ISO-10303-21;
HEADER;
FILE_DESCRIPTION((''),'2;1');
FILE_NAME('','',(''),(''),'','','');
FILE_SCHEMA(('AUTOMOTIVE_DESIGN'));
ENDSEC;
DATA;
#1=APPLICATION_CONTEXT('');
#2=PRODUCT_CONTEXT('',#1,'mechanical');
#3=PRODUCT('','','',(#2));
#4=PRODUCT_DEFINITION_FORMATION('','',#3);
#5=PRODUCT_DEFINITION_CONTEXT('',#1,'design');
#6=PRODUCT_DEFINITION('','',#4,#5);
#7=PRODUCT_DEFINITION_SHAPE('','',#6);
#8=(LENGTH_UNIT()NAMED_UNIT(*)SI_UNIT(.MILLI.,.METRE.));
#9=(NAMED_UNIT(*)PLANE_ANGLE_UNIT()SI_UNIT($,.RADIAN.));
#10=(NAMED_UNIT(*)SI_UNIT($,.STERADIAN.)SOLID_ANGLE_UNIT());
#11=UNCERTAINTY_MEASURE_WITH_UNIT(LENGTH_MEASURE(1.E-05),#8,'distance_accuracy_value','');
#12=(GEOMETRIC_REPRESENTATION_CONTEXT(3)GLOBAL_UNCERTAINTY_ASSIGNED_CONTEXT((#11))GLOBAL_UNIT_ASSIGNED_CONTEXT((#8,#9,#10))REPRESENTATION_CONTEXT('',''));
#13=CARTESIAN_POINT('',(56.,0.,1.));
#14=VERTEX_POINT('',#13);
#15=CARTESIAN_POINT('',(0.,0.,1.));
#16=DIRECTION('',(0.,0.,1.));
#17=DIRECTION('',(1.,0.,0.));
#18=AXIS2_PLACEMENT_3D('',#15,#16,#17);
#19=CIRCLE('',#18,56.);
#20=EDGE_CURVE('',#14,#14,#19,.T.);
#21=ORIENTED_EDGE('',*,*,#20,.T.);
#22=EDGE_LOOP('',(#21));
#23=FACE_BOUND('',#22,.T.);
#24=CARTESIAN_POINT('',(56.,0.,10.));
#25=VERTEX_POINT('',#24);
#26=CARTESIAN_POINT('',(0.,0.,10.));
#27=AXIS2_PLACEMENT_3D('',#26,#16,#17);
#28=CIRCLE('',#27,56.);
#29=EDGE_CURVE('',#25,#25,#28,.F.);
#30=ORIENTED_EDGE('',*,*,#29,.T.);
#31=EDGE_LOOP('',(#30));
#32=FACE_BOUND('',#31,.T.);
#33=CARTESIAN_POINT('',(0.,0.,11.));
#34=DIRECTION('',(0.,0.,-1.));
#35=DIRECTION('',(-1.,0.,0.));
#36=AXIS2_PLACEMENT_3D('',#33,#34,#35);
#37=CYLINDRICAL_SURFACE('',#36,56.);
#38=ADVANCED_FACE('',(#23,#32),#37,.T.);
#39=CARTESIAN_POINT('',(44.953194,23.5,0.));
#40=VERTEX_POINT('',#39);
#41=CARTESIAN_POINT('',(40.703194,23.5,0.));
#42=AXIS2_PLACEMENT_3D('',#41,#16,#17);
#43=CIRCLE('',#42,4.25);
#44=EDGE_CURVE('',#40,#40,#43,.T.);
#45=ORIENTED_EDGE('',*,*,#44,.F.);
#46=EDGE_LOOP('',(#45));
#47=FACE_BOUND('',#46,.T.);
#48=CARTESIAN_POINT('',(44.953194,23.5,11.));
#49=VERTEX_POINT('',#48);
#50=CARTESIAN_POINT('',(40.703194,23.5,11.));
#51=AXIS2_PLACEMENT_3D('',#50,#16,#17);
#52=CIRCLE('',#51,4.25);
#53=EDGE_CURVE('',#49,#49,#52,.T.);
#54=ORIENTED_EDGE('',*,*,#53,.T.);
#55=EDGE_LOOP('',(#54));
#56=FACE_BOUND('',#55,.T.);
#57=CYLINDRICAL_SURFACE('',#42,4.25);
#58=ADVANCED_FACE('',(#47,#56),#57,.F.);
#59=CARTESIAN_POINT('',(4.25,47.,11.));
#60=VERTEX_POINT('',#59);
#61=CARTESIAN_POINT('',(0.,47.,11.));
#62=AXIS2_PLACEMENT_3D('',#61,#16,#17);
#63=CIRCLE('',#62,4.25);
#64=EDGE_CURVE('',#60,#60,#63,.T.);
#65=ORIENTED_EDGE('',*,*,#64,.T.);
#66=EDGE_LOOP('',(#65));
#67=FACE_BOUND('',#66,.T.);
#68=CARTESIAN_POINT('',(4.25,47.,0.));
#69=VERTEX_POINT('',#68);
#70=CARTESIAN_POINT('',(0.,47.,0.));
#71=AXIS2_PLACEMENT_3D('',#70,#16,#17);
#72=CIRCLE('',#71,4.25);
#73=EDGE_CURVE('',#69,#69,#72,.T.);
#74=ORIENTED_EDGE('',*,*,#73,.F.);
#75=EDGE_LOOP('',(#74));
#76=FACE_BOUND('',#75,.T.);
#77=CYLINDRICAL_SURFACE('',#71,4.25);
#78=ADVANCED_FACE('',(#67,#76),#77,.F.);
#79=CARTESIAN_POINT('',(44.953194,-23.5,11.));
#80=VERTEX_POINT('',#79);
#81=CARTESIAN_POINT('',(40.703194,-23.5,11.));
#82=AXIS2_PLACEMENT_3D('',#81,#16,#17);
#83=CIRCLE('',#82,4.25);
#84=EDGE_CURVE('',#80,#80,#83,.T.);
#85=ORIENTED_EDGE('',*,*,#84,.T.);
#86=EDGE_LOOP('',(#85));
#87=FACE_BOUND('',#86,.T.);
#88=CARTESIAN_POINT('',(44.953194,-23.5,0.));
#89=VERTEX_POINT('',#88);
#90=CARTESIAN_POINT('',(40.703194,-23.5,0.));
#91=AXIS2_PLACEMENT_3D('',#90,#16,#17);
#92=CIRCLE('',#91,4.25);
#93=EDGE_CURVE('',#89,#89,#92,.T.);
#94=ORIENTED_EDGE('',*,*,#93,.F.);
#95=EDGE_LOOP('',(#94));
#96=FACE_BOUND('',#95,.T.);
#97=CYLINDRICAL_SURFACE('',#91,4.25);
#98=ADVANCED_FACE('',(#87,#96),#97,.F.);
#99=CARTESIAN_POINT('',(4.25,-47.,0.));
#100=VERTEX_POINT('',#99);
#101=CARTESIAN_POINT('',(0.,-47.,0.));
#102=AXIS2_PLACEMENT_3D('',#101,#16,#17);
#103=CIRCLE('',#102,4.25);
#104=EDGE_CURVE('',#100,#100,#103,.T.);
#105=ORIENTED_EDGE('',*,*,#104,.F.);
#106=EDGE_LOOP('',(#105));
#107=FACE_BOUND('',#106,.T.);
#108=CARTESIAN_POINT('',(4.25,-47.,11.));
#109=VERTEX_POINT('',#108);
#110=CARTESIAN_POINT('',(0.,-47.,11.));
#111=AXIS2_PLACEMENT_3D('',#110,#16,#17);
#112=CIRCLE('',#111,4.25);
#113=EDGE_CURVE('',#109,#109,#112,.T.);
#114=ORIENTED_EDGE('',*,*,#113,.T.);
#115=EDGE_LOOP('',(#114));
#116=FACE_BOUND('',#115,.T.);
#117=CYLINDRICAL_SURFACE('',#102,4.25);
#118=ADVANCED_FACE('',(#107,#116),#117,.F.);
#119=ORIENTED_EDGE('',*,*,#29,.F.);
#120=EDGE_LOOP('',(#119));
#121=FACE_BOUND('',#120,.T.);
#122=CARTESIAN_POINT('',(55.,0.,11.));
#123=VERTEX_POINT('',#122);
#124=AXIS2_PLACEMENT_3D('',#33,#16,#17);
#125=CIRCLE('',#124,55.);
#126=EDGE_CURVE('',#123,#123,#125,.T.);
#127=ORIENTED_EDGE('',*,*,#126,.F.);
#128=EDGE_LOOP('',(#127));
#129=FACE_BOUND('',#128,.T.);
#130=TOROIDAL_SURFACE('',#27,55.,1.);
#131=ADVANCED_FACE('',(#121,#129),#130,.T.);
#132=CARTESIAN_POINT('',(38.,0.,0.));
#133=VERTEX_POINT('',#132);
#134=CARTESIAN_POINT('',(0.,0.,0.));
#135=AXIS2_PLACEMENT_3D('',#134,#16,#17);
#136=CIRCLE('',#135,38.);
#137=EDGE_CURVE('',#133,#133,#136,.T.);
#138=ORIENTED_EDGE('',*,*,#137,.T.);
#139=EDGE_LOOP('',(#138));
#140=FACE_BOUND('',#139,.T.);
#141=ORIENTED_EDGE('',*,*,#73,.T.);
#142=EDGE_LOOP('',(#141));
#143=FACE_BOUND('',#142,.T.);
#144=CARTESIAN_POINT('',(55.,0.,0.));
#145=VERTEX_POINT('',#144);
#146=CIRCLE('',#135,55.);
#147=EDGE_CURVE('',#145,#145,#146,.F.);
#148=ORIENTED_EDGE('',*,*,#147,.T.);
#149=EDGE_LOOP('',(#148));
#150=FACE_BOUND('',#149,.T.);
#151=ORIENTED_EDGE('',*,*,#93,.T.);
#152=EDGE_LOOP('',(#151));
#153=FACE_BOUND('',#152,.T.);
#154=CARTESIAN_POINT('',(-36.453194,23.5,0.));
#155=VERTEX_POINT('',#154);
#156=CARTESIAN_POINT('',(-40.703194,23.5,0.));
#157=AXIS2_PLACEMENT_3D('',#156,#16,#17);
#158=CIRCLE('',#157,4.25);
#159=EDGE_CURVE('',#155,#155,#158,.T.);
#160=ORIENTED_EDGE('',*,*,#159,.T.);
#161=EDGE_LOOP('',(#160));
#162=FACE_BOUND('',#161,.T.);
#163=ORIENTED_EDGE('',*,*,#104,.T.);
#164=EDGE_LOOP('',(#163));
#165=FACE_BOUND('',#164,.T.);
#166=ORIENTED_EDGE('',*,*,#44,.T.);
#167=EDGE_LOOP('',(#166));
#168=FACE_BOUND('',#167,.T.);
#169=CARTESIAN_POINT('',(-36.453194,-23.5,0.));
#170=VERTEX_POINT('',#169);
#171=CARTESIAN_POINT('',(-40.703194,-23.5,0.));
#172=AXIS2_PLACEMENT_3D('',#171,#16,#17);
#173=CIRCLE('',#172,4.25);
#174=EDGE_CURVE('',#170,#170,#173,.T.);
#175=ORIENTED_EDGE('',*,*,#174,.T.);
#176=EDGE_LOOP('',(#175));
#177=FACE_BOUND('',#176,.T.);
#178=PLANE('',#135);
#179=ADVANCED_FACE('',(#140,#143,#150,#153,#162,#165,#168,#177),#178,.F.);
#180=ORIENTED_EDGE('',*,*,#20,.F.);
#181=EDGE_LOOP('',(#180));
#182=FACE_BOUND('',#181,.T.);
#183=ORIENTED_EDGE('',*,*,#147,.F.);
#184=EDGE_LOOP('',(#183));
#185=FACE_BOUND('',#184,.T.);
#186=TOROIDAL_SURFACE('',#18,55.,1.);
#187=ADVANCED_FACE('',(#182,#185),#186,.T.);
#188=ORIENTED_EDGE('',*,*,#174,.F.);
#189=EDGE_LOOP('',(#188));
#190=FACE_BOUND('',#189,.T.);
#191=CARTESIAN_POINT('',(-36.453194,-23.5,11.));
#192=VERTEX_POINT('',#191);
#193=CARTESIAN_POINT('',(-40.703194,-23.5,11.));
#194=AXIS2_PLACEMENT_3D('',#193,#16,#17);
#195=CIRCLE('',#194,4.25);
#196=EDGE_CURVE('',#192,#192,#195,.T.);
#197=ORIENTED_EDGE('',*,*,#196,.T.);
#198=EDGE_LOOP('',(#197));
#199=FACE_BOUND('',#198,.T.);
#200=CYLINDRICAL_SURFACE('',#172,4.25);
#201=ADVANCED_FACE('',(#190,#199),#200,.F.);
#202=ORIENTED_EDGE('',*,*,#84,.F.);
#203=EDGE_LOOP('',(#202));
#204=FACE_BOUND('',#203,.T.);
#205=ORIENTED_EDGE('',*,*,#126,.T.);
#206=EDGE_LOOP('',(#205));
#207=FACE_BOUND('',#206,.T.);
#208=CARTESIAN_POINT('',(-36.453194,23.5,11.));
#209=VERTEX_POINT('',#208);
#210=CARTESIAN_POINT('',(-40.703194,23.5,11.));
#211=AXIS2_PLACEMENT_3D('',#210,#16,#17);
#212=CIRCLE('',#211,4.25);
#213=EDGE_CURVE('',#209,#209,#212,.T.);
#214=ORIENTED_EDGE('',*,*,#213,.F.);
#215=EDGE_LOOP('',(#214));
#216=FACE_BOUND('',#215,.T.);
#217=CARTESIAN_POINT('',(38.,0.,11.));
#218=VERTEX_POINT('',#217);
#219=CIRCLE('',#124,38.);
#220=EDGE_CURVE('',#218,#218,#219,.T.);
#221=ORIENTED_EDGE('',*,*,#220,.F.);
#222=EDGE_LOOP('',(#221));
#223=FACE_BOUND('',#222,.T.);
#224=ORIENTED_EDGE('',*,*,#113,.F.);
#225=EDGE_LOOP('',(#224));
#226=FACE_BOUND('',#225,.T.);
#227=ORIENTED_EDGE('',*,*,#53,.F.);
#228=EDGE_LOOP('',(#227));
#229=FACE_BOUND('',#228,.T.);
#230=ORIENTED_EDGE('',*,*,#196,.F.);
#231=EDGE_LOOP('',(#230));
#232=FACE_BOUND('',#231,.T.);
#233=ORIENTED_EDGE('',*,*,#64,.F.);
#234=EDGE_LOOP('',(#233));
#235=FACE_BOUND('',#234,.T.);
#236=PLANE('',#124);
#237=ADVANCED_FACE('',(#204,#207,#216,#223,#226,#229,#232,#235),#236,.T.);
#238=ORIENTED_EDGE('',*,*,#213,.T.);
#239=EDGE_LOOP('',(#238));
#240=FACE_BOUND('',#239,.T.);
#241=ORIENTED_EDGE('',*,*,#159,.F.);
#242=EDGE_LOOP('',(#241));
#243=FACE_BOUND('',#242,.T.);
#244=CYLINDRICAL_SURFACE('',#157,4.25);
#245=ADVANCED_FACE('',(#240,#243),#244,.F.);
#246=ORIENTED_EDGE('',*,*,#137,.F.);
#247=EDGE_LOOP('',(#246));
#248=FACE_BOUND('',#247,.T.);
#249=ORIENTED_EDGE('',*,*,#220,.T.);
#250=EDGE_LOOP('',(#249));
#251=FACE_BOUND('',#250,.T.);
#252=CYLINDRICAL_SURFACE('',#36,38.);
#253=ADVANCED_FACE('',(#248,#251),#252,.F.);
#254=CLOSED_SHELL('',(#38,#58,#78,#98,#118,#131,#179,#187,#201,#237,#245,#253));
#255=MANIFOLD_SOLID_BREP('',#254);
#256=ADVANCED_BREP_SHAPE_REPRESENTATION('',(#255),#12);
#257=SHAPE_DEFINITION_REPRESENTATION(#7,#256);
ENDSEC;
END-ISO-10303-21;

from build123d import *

# Parameters (mm, degrees)
ESQUISSE1_R             = 56
ESQUISSE1_R_2           = 38
BOSS_EXTRU_1_DEPTH      = 11
ESQUISSE2_R             = 4.25
ENL_V_MAT_EXTRU_2_DEPTH = 11
ESQUISSE2_5_R           = 4.25
ENL_V_MAT_EXTRU_3_DEPTH = 12
CONG_1_R                = 1
CONG_2_R                = 1


with BuildPart() as part:
    # Esquisse1 → Boss.-Extru.1 (new body)
    with BuildSketch(Plane.XY):
        Circle(ESQUISSE1_R)
        Circle(ESQUISSE1_R_2, mode=Mode.SUBTRACT)
    extrude(amount=BOSS_EXTRU_1_DEPTH)

    # Esquisse2 → Enl_v. mat.-Extru.2 (cut)
    with BuildSketch(Plane.XY.offset(11)):
        with Locations((0, 47)):
            Circle(ESQUISSE2_R)
    extrude(amount=-ENL_V_MAT_EXTRU_2_DEPTH, mode=Mode.SUBTRACT)

    # Esquisse2_5 → Enl_v. mat.-Extru.3 (cut, through all)
    with BuildSketch(Plane.XY.offset(11)):
        with Locations((0, 47)):
            Circle(ESQUISSE2_5_R)
        with Locations((0, -47)):
            Circle(ESQUISSE2_5_R)
        with Locations((40.703193978, -23.5)):
            Circle(ESQUISSE2_5_R)
        with Locations((40.703193978, 23.5)):
            Circle(ESQUISSE2_5_R)
        with Locations((-40.703193978, 23.5)):
            Circle(ESQUISSE2_5_R)
        with Locations((-40.703193978, -23.5)):
            Circle(ESQUISSE2_5_R)
    extrude(amount=-ENL_V_MAT_EXTRU_3_DEPTH, mode=Mode.SUBTRACT)

    # Cong_1
    cong_1_edges = [part.edges().sort_by_distance(p)[0] for p in [
        (-56, 0, 11),
    ]]
    fillet(cong_1_edges, radius=CONG_1_R)

    # Cong_2
    cong_2_edges = [part.edges().sort_by_distance(p)[0] for p in [
        (-56, 0, 0),
    ]]
    fillet(cong_2_edges, radius=CONG_2_R)


solid = part.part
